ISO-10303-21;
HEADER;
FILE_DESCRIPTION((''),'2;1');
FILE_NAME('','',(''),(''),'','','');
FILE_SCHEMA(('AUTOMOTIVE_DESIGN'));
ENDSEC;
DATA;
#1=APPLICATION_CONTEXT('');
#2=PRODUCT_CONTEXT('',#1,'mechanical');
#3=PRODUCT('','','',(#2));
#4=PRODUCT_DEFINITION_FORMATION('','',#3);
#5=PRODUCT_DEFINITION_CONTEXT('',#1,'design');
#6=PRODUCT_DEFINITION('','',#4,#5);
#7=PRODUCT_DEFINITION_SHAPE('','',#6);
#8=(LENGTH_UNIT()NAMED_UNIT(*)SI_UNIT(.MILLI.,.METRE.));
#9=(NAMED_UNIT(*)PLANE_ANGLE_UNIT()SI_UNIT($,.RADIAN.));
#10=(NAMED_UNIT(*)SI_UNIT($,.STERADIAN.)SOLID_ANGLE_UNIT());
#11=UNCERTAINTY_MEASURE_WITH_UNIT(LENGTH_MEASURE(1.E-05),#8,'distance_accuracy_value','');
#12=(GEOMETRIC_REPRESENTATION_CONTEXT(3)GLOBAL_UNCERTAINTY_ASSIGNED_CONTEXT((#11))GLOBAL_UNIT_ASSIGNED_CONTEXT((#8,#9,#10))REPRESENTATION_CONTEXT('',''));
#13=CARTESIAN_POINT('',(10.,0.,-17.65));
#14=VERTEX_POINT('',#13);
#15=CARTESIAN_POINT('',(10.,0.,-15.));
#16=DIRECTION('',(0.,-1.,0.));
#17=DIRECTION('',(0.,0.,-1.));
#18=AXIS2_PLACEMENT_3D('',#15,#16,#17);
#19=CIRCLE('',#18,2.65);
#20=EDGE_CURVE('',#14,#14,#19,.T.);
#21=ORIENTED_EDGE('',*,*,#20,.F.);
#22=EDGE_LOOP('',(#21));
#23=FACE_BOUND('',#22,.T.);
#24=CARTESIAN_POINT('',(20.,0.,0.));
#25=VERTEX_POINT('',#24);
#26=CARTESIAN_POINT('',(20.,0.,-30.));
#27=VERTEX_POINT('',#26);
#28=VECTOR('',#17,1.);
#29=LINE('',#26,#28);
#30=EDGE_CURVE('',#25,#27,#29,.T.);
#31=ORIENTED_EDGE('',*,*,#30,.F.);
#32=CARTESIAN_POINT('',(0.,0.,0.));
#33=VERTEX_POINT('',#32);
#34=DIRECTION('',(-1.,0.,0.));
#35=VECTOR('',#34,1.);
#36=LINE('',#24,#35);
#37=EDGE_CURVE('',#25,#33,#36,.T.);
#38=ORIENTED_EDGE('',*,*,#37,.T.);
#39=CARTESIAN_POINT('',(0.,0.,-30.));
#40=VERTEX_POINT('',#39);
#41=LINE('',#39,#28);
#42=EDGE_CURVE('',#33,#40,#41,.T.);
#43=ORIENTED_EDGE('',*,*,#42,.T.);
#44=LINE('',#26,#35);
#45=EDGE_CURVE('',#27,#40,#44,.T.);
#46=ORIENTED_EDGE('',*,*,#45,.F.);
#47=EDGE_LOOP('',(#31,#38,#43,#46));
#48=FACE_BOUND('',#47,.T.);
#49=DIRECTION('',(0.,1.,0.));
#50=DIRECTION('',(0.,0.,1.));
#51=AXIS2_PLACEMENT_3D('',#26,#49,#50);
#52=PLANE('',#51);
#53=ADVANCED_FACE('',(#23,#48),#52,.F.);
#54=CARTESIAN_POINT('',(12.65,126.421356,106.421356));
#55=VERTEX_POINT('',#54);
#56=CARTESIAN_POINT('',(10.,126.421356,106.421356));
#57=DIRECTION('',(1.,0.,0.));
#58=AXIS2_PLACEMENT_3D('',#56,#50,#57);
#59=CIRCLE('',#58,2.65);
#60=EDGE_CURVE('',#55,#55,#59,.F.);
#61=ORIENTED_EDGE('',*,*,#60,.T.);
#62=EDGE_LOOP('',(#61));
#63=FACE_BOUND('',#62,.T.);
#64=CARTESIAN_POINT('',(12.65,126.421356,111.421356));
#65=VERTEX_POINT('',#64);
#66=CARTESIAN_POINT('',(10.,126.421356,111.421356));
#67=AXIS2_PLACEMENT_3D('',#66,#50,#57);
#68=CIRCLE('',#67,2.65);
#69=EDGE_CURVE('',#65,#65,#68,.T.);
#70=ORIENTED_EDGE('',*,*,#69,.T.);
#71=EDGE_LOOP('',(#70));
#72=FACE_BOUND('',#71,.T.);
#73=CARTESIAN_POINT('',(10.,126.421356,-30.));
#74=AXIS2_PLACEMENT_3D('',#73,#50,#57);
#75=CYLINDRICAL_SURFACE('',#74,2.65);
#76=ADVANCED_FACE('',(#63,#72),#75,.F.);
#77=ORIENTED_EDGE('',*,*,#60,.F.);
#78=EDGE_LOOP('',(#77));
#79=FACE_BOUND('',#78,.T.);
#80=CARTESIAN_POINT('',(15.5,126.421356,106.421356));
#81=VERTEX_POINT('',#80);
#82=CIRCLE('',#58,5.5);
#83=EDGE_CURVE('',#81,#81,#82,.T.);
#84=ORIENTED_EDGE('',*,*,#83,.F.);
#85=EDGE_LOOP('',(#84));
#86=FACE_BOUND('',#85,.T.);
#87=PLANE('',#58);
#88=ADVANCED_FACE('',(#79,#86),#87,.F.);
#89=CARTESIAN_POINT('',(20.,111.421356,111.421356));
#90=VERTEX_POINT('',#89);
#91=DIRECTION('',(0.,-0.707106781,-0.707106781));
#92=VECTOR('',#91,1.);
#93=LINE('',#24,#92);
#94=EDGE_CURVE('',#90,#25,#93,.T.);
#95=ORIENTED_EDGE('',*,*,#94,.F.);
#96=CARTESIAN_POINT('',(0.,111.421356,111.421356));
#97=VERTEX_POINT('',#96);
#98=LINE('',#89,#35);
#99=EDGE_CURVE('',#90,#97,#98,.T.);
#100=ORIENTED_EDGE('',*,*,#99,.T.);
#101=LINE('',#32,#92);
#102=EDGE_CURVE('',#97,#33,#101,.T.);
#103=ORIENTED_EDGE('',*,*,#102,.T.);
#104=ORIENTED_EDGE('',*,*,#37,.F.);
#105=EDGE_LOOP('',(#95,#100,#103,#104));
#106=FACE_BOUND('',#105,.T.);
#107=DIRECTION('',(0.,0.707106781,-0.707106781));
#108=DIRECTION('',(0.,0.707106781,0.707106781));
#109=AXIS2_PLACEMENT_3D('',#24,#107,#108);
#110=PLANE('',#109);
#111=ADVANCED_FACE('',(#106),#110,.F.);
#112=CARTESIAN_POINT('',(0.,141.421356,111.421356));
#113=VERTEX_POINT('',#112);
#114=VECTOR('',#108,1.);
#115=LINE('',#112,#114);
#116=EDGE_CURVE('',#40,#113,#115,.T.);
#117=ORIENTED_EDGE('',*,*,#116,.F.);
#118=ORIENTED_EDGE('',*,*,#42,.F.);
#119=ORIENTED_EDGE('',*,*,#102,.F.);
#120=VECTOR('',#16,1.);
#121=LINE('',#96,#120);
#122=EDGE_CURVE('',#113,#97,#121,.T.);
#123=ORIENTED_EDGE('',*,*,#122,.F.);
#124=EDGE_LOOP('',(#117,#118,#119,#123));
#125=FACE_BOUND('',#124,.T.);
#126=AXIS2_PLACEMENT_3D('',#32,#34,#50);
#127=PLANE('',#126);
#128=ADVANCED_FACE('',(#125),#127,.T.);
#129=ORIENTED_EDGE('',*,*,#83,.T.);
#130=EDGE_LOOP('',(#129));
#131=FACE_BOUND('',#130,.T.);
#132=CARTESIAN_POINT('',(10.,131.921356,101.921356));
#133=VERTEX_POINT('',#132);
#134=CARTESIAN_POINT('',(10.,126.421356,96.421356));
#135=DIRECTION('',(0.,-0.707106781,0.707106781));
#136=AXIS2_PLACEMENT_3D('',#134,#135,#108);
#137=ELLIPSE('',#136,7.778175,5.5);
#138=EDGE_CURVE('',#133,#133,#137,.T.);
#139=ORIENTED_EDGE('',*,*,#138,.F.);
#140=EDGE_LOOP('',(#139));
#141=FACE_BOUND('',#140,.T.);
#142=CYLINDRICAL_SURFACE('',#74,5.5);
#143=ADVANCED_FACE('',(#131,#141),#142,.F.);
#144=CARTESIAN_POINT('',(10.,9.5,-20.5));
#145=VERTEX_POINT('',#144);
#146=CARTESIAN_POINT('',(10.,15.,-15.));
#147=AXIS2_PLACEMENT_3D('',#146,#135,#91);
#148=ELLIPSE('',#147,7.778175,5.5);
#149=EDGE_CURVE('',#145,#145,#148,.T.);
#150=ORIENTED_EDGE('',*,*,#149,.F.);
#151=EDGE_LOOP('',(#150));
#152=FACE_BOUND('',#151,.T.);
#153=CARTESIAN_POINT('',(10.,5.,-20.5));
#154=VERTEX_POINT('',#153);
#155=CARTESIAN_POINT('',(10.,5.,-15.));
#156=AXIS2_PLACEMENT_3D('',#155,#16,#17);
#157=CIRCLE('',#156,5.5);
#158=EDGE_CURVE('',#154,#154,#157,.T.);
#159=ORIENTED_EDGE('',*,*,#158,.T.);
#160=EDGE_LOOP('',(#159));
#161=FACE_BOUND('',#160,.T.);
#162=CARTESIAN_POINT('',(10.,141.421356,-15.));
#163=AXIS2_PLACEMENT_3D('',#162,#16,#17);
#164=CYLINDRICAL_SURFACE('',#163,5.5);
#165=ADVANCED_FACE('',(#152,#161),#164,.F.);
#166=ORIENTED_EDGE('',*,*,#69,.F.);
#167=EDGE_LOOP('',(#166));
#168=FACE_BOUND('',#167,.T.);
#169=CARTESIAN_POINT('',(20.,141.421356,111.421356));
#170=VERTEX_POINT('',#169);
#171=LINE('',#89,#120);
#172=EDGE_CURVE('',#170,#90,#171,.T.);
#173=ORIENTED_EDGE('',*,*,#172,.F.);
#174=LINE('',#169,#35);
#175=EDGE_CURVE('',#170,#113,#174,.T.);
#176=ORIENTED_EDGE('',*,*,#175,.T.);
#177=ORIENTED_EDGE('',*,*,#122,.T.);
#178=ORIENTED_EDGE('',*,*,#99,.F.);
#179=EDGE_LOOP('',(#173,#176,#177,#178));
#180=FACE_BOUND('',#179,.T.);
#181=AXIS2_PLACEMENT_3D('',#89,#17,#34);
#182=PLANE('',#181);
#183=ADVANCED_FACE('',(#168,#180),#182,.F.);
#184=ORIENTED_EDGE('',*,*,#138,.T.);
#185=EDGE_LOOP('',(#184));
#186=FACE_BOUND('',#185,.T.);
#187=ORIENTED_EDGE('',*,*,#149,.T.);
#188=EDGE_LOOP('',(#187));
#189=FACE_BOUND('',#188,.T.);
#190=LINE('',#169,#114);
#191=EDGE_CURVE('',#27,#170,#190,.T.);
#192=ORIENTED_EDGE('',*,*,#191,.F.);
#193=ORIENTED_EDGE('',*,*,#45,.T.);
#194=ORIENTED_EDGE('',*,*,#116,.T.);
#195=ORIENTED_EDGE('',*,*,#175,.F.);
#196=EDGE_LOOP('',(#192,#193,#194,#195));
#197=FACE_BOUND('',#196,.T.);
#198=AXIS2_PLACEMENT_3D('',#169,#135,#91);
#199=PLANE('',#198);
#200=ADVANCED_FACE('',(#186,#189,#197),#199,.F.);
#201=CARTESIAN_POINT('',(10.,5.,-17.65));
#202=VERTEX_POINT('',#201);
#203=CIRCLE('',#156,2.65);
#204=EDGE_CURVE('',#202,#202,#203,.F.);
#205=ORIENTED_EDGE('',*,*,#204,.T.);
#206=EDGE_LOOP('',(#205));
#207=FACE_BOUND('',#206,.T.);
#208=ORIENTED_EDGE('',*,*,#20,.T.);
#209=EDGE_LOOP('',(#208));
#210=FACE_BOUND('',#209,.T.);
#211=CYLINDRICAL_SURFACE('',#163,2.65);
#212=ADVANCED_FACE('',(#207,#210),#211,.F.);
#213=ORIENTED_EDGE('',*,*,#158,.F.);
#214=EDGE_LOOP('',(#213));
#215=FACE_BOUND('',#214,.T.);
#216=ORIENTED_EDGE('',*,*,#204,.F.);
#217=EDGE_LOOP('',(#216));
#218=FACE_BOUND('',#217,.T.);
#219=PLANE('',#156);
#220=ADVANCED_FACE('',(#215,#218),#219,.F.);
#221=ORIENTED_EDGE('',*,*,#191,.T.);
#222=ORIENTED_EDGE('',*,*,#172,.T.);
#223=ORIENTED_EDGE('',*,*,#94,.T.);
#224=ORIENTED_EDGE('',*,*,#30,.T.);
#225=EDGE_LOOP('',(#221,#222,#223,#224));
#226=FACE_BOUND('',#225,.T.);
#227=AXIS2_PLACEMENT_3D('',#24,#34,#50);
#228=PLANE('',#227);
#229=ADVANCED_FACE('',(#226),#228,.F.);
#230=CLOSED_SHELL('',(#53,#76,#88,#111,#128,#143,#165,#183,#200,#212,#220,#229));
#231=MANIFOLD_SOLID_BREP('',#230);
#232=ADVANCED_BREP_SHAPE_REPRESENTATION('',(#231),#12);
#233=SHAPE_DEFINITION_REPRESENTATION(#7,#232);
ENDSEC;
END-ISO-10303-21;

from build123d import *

# Parameters (mm, degrees)
BOSS_EXTRUDE1_DEPTH = 20
SKETCH3_R           = 2.65
CUT_EXTRUDE1_DEPTH  = 182.148333213
SKETCH4_R           = 2.65
CUT_EXTRUDE2_DEPTH  = 201.997512422
SKETCH5_R           = 5.5
CUT_EXTRUDE3_DEPTH  = 198.511484318
SKETCH6_R           = 5.5
CUT_EXTRUDE4_DEPTH  = 178.272403558


with BuildPart() as part:
    # Sketch2 → Boss-Extrude1 (new body)
    with BuildSketch(Plane(origin=(0, 0, 0), x_dir=(0, 0, -1), z_dir=(1, 0, 0))):
        Polygon((0, 0), (-111.421356237, 111.421356237), (-111.421356237, 141.421356237), (30, 0), align=None)
    extrude(amount=BOSS_EXTRUDE1_DEPTH)

    # Sketch3 → Cut-Extrude1 (cut, through all)
    with BuildSketch(Plane.XZ):
        with Locations(Location((10, -15, 0), (0, 0, 270))):
            Circle(SKETCH3_R)
    extrude(amount=-CUT_EXTRUDE1_DEPTH, mode=Mode.SUBTRACT)

    # Sketch4 → Cut-Extrude2 (cut, through all)
    with BuildSketch(Plane.XY.offset(111.421356237)):
        with Locations((10, 126.421356237)):
            Circle(SKETCH4_R)
    extrude(amount=-CUT_EXTRUDE2_DEPTH, mode=Mode.SUBTRACT)

    # Sketch5 → Cut-Extrude3 (cut, through all)
    with BuildSketch(Plane.XY.offset(106.421356237)):
        with Locations((10, 126.421356237)):
            Circle(SKETCH5_R)
    extrude(amount=-CUT_EXTRUDE3_DEPTH, mode=Mode.SUBTRACT)

    # Sketch6 → Cut-Extrude4 (cut, through all)
    with BuildSketch(Plane(origin=(0, 5, 0), x_dir=(-1, 0, 0), z_dir=(0, -1, 0))):
        with Locations(Location((-10, 15, 0), (0, 0, 90))):
            Circle(SKETCH6_R)
    extrude(amount=-CUT_EXTRUDE4_DEPTH, mode=Mode.SUBTRACT)


solid = part.part
